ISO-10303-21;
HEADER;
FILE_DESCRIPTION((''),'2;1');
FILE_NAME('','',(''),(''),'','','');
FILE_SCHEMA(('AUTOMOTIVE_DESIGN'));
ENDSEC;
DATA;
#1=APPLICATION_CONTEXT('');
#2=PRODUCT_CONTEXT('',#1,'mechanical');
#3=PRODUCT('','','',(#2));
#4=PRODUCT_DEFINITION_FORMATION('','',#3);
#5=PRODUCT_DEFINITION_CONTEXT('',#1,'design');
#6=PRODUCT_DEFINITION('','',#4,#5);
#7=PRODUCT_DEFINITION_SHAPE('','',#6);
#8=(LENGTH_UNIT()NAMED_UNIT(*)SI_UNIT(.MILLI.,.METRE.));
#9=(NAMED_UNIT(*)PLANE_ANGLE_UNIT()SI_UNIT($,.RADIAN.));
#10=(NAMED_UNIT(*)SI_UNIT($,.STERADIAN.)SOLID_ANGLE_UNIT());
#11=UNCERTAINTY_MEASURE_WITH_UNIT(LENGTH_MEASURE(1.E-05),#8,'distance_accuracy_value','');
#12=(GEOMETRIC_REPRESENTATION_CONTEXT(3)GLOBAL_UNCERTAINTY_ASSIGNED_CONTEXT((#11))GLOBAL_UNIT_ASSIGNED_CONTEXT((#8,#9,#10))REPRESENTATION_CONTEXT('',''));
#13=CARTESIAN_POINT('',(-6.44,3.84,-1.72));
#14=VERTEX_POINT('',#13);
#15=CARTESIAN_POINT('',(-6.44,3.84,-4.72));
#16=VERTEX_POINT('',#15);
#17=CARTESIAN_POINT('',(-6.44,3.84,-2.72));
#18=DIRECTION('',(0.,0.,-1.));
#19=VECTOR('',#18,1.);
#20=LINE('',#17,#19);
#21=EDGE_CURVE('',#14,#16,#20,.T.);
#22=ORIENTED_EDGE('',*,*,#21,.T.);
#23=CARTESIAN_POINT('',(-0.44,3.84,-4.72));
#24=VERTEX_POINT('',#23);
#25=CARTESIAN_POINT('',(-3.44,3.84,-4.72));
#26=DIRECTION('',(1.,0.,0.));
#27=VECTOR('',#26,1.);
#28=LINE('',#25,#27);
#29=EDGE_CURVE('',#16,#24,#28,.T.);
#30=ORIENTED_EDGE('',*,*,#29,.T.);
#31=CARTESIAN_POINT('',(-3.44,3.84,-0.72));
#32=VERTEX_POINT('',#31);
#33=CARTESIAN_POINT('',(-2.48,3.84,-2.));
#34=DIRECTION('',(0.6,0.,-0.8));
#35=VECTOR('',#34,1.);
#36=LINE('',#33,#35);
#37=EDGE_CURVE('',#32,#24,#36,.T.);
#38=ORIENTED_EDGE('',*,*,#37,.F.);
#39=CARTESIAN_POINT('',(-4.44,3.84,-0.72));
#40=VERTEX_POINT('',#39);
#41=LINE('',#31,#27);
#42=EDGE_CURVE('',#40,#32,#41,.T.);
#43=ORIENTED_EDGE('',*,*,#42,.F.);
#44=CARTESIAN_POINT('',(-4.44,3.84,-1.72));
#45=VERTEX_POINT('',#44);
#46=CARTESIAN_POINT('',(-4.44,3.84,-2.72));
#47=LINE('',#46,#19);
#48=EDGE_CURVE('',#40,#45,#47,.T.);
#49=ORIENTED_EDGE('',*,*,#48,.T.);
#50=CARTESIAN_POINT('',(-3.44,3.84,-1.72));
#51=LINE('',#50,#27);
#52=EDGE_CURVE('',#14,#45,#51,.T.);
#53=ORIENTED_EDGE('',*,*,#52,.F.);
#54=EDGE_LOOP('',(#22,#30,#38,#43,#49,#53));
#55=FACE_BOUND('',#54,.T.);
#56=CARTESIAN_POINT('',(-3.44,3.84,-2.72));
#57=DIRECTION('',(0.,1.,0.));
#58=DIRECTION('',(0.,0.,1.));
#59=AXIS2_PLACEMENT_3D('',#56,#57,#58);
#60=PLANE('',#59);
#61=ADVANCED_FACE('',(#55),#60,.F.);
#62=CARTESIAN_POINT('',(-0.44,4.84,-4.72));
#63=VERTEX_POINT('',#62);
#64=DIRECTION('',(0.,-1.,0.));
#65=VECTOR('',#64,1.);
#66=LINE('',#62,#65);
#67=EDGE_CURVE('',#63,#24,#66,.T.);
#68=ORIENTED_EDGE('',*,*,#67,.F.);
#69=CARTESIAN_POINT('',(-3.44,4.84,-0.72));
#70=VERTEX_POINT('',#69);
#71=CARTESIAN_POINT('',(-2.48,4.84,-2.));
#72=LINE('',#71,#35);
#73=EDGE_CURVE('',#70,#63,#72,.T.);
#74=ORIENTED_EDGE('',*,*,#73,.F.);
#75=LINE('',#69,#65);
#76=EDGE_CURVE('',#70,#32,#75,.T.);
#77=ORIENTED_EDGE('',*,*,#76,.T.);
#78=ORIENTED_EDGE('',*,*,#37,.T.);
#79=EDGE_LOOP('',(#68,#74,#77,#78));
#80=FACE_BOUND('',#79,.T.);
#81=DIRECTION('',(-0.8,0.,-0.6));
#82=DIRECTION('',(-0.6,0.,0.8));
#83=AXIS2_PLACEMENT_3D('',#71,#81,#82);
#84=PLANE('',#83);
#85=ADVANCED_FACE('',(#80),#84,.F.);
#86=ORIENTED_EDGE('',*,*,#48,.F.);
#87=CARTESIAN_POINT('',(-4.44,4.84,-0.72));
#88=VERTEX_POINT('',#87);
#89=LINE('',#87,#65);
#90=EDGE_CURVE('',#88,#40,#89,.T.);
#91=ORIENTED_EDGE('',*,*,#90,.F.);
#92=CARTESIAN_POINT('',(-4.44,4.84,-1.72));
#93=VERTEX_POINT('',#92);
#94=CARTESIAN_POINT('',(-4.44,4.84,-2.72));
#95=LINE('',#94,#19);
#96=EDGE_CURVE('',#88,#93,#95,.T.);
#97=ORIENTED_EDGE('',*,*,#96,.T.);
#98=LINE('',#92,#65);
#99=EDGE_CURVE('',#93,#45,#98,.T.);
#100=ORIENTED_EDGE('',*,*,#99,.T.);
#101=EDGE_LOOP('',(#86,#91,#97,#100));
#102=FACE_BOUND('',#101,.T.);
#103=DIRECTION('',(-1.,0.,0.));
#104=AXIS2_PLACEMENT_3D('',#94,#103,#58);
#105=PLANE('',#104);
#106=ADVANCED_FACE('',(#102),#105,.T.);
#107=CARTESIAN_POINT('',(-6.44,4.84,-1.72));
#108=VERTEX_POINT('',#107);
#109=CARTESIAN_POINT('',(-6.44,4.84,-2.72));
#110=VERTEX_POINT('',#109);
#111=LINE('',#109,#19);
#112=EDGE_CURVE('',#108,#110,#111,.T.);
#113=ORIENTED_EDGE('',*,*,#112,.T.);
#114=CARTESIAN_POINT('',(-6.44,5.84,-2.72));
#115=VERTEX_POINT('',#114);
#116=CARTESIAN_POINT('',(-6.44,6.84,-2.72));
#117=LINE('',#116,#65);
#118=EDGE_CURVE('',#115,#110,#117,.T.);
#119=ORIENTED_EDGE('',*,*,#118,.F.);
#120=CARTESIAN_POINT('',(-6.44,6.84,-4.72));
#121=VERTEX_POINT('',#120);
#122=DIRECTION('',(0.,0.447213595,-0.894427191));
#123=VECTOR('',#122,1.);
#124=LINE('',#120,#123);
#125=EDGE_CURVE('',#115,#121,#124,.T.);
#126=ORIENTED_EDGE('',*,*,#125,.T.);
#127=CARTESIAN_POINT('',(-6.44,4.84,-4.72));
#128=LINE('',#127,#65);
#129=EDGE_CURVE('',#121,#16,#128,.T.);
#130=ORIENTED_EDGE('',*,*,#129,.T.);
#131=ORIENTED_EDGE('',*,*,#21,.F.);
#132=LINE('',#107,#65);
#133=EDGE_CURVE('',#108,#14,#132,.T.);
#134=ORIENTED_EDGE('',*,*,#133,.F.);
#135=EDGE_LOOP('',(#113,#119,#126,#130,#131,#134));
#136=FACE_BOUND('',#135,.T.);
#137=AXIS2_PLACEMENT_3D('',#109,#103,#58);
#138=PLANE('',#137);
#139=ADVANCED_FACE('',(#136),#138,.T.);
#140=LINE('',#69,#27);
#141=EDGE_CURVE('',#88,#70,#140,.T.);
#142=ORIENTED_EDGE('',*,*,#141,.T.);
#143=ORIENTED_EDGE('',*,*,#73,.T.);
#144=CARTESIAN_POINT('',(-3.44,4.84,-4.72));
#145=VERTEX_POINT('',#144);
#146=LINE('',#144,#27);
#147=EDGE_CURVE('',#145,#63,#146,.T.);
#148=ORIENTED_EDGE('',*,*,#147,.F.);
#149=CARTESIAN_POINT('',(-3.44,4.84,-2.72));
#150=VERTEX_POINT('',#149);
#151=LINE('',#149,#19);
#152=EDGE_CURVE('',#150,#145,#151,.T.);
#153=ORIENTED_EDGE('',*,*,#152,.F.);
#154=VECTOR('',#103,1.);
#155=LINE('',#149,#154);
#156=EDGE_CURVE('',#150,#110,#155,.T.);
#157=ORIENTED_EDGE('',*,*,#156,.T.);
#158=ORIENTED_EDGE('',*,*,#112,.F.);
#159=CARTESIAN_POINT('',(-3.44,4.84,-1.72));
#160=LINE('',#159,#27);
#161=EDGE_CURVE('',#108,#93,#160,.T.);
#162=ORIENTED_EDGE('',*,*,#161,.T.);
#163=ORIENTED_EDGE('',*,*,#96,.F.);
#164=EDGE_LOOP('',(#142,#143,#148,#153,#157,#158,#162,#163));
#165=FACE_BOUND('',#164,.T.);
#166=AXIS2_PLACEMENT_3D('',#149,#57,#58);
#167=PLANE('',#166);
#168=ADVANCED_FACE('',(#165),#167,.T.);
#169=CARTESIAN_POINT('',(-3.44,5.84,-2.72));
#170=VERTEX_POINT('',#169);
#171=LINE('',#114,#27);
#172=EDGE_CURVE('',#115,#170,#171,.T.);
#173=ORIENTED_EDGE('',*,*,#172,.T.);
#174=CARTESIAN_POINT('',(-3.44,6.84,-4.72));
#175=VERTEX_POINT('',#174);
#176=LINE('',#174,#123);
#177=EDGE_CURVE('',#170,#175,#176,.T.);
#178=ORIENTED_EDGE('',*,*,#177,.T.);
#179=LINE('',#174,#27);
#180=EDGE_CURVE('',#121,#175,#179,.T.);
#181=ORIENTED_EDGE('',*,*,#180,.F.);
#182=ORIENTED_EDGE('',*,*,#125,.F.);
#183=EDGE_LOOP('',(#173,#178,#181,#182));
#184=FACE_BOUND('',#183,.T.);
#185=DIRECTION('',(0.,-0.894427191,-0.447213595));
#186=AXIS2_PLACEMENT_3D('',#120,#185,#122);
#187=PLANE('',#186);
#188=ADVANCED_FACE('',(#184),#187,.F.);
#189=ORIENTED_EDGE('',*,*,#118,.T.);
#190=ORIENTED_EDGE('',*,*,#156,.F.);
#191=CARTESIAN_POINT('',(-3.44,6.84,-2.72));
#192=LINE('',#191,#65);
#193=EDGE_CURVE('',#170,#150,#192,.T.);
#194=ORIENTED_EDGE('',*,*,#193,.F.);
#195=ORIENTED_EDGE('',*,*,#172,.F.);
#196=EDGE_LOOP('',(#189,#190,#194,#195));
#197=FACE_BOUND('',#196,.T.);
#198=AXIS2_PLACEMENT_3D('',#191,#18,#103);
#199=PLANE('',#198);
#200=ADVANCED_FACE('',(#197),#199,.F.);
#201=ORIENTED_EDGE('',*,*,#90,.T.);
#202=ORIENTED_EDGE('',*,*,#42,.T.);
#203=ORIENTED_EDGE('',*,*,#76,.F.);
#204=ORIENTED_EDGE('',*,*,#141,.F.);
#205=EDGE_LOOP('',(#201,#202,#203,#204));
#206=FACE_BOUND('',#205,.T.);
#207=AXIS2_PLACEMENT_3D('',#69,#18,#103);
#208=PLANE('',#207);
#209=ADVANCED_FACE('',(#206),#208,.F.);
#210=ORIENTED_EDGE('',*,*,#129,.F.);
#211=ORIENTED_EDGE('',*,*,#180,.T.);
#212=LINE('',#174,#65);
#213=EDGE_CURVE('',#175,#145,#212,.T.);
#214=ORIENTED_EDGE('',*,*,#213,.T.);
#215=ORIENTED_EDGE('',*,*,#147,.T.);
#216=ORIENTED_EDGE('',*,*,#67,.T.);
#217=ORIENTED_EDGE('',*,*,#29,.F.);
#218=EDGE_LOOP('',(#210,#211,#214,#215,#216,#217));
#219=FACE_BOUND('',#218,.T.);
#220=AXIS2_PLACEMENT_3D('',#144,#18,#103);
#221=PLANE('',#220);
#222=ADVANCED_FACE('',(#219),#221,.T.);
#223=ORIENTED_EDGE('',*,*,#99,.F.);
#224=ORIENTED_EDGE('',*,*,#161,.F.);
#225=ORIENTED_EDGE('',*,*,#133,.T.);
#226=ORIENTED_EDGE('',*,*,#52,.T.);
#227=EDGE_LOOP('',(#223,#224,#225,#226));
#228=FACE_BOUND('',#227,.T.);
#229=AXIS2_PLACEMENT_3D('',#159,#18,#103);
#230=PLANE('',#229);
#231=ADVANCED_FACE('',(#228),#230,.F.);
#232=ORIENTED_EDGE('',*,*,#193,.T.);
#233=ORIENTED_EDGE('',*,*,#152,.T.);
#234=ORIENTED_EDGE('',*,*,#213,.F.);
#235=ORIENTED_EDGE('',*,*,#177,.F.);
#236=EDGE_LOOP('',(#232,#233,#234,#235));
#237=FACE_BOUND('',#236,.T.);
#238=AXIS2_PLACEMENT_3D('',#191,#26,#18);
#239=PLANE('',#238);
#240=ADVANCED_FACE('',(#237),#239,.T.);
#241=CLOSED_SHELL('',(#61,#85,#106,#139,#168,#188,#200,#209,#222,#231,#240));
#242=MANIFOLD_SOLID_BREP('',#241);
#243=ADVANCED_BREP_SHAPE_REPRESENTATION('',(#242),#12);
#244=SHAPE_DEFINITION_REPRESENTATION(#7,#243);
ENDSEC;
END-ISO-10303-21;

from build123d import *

# Parameters (mm, degrees)
EXTRUDE_1_DEPTH     = 5
SKETCH_1_3_W        = 15
SKETCH_1_3_H        = 10
EXTRUDE_2_DEPTH     = 15
CUT_EXTRUDE_1_DEPTH = 15
SCALE_1_SCALE       = 0.2


with BuildPart() as part:
    # 草圖1 → 填料-伸長1 (new body)
    with BuildSketch(Plane(origin=(0, 0, 0), x_dir=(1, 0, 0), z_dir=(0, 1, 0))):
        Polygon((-5, -10), (0, -10), (15, 10), (-15, 10), (-15, -5), (-5, -5), align=None)
    extrude(amount=EXTRUDE_1_DEPTH)

    # 草圖1<3> → 填料-伸長2 (add)
    with BuildSketch(Plane(origin=(0, 0, 0), x_dir=(1, 0, 0), z_dir=(0, 1, 0))):
        with Locations((-7.5, 5)):
            Rectangle(SKETCH_1_3_W, SKETCH_1_3_H)
    extrude(amount=EXTRUDE_2_DEPTH)

    # 草圖2 → 除料-伸長1 (cut)
    with BuildSketch(Plane(origin=(0, 0, 0), x_dir=(0, 0, -1), z_dir=(1, 0, 0))):
        Polygon((10, 15), (0, 10), (0, 15), align=None)
    extrude(amount=-CUT_EXTRUDE_1_DEPTH, mode=Mode.SUBTRACT)


with BuildPart() as part_1:
    # 縮放比例1: scaled about (-4.3, 4.8, -3.4)
    add(part.part.scale(SCALE_1_SCALE).moved(Location((-3.44, 3.84, -2.72))))


solid = part_1.part
